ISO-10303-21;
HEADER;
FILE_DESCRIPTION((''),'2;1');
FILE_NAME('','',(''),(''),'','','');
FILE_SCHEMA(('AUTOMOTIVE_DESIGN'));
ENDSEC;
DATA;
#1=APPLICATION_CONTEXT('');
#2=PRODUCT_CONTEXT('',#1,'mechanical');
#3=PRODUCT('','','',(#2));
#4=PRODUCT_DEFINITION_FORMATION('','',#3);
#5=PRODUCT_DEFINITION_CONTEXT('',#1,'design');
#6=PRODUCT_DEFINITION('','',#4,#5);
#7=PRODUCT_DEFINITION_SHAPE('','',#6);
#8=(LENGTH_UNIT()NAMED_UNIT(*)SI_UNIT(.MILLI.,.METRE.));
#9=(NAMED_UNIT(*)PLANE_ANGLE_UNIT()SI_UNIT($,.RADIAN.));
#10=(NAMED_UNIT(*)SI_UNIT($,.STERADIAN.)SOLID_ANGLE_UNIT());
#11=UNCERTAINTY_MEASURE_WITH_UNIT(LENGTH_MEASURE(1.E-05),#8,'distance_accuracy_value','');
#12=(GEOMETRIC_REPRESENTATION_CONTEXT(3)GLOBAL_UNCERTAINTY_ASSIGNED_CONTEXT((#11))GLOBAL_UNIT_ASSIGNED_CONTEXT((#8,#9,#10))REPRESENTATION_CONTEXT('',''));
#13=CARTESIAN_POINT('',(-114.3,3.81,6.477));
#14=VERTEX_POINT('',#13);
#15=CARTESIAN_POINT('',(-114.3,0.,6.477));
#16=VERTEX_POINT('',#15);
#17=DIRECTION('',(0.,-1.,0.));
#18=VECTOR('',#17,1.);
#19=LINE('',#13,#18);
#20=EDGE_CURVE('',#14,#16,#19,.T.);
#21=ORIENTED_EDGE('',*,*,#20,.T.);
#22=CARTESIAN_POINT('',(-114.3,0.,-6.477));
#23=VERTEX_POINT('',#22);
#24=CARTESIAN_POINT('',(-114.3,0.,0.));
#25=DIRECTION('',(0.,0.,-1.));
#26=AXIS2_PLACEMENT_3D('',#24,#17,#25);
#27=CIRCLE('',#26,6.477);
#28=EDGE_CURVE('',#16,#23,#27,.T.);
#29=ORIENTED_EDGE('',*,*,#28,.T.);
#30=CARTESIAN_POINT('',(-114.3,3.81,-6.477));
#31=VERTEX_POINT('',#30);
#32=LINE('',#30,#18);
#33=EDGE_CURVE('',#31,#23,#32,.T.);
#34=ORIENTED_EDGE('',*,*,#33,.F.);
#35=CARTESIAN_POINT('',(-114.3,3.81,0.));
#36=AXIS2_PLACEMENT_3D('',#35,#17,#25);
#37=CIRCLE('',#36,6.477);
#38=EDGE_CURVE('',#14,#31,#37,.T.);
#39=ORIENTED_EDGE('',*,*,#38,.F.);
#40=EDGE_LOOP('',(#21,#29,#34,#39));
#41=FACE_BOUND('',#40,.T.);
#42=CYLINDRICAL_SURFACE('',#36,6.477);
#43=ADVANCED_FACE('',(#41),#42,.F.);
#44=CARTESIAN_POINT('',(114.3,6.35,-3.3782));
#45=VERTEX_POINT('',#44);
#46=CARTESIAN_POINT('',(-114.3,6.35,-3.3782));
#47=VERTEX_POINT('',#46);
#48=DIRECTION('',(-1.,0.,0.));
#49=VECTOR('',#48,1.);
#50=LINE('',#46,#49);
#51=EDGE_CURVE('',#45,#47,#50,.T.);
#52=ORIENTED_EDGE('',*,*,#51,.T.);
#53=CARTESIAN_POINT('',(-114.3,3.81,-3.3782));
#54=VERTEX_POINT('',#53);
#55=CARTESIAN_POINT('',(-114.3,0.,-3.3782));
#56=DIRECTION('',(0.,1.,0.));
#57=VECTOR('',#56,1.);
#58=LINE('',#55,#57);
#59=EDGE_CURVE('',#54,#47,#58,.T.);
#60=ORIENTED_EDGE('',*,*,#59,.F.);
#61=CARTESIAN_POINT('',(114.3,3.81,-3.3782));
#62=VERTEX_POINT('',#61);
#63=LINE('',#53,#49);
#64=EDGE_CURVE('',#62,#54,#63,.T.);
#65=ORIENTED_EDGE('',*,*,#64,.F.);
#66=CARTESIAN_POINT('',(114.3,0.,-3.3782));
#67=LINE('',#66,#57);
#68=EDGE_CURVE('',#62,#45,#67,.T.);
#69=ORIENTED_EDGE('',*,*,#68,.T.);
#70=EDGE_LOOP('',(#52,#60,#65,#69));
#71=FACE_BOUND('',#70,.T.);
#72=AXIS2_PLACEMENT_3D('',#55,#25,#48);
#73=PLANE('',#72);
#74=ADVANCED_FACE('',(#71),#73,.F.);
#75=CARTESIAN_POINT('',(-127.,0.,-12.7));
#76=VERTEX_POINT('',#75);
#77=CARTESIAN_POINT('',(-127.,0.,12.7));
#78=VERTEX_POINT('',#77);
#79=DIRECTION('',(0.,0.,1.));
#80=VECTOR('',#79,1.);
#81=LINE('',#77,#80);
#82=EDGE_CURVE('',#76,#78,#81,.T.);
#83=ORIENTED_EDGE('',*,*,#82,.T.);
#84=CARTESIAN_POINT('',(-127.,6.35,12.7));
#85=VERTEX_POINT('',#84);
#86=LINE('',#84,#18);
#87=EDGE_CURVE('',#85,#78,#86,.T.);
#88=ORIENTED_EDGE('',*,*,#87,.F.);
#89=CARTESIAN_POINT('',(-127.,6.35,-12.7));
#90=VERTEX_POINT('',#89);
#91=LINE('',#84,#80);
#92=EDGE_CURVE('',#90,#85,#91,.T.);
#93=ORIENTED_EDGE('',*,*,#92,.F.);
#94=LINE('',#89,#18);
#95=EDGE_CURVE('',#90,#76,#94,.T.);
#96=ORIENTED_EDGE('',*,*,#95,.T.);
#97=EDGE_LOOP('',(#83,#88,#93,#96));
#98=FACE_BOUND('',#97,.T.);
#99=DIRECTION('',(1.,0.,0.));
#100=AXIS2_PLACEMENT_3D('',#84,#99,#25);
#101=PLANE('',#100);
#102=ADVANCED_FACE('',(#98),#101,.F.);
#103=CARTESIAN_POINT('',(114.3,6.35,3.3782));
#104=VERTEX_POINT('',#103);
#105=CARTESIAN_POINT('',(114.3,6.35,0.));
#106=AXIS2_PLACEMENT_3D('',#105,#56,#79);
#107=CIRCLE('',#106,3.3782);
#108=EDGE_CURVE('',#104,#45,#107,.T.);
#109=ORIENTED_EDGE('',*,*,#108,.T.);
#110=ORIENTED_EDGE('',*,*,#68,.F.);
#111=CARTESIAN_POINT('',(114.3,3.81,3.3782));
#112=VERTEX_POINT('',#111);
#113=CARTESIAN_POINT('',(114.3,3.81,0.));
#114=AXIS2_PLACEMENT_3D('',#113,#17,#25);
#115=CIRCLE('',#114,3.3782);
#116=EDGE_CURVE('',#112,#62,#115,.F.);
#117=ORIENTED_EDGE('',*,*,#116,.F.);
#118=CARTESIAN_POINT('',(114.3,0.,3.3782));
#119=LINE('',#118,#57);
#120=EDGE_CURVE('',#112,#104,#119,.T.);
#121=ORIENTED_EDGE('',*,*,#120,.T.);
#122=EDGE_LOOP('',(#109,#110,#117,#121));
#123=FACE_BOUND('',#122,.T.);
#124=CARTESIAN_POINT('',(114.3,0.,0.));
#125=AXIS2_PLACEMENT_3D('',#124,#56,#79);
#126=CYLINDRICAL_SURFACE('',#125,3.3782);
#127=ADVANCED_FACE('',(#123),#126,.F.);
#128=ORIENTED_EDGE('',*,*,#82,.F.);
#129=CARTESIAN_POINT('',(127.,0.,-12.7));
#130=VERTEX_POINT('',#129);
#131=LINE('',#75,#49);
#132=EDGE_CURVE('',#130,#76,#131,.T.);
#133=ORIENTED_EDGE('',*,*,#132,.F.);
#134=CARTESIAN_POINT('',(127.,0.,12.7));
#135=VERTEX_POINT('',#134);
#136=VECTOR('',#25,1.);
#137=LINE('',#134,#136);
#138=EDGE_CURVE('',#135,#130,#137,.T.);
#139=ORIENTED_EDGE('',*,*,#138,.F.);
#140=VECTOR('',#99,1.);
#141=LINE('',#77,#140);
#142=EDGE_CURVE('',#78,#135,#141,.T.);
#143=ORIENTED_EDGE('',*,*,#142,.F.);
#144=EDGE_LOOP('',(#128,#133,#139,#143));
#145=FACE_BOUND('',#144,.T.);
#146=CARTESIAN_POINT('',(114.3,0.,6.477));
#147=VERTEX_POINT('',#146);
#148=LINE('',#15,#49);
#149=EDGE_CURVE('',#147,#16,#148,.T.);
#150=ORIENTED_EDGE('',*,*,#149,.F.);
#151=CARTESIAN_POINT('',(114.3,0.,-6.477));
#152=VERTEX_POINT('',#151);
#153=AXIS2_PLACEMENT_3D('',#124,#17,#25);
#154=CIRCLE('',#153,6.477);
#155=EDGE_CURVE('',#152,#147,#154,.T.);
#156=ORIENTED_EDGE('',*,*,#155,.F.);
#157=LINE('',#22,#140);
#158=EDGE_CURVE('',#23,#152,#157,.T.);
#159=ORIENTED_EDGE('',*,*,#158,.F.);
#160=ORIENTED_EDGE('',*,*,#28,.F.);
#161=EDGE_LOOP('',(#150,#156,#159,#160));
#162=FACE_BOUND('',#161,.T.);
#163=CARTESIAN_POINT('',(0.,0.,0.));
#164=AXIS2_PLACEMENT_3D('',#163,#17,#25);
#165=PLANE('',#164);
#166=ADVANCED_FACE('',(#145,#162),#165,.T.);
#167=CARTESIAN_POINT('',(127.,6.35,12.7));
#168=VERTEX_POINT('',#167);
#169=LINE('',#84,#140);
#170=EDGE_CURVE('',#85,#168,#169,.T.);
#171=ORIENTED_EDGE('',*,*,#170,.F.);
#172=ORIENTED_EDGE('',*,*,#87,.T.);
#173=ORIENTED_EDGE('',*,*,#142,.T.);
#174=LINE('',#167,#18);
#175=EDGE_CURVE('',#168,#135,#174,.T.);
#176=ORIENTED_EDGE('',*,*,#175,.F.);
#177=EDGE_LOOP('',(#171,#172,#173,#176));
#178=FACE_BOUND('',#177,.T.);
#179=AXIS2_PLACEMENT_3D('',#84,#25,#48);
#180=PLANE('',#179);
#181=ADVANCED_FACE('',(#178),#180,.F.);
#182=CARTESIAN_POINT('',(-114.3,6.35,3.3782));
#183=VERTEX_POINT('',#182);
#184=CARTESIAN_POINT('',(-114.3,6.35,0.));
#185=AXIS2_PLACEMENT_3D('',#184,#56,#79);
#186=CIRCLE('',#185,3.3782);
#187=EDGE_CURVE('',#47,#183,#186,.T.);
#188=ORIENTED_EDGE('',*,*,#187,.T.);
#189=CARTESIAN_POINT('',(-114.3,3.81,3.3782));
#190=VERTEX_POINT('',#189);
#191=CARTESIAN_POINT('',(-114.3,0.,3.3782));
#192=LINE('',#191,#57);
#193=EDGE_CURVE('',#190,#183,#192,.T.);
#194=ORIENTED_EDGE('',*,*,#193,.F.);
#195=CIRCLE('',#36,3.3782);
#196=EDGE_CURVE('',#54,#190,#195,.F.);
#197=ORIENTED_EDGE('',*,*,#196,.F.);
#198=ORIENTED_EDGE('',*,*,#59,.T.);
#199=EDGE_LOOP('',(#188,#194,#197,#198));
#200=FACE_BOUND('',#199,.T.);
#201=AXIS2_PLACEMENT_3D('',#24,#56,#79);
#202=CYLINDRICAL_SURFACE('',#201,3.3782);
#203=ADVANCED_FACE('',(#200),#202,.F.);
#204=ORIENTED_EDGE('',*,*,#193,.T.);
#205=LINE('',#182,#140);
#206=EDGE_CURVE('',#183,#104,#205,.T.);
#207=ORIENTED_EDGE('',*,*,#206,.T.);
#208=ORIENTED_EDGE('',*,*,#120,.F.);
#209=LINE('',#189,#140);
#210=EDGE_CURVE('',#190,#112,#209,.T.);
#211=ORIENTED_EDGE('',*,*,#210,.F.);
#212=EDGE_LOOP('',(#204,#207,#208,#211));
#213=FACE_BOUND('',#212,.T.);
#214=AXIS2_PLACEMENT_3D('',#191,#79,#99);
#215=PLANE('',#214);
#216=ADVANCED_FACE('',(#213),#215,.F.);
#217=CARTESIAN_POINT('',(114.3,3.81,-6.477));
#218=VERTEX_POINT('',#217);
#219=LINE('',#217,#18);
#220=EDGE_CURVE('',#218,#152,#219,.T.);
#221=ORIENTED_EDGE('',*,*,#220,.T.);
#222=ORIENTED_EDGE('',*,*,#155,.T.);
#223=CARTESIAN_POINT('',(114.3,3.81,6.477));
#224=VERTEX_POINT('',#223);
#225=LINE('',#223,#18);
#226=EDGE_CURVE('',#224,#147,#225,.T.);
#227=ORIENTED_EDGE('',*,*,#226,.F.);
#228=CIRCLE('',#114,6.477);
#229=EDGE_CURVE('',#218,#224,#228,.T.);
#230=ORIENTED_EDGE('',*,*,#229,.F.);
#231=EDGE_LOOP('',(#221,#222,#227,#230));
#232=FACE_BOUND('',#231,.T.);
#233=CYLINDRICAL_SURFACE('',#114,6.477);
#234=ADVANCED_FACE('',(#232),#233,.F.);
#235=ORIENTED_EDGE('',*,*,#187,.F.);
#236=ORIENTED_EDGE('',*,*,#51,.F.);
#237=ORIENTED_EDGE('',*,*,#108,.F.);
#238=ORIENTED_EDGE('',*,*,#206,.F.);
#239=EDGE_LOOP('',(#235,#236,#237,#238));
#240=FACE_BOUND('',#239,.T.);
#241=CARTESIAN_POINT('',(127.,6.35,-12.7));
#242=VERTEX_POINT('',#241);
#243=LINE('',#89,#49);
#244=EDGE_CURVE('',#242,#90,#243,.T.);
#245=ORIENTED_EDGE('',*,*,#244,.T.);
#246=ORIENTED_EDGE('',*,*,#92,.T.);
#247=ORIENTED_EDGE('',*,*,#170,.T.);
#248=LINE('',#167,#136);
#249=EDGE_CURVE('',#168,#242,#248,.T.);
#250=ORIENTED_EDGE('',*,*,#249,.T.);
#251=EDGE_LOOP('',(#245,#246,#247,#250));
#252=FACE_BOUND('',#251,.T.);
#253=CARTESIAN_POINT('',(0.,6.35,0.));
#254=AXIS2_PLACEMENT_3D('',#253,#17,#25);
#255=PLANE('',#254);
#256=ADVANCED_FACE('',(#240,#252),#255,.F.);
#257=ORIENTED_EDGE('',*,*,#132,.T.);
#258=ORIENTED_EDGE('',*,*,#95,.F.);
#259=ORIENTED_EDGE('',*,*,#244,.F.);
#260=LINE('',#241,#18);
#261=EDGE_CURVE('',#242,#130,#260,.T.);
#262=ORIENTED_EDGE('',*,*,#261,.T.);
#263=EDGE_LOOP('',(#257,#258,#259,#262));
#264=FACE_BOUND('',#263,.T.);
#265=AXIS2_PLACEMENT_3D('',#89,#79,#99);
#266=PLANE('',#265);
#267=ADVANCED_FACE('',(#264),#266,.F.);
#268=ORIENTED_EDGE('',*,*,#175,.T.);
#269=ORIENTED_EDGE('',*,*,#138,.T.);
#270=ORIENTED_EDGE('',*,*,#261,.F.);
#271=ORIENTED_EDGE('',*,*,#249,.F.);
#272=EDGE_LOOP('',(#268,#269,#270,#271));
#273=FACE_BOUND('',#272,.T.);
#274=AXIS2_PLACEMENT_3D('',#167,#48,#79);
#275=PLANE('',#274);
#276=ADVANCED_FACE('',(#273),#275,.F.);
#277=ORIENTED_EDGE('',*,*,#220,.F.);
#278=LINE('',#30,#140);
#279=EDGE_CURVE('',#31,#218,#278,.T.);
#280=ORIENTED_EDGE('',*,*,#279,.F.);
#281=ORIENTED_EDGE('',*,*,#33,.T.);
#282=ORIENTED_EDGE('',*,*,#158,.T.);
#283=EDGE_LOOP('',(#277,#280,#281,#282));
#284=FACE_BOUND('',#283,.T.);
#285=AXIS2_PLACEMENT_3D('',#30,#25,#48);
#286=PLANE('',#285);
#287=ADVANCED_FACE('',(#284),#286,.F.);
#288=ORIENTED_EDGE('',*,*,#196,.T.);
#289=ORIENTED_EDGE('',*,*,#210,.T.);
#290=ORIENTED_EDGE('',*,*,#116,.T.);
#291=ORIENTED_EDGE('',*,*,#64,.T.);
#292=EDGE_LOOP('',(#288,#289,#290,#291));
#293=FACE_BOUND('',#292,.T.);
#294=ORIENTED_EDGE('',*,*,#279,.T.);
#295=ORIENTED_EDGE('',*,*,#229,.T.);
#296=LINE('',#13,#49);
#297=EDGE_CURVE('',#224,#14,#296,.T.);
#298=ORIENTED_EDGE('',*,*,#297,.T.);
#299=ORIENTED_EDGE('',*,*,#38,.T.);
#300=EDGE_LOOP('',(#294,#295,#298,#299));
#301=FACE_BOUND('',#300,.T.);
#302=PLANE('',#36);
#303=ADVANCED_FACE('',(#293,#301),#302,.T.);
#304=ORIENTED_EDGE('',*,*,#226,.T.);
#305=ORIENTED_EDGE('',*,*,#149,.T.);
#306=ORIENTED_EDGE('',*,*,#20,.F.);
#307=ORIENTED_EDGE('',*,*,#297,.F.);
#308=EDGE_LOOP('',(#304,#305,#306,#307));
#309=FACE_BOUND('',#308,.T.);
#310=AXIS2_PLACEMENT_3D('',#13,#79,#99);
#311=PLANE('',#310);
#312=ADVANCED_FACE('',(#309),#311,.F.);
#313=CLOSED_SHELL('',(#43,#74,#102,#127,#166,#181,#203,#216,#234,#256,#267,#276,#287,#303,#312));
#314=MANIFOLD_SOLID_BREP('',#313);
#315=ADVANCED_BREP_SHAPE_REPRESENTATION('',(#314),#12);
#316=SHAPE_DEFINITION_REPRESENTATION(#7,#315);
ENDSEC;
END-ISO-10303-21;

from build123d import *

# Parameters (mm, degrees)
SKETCH1_W           = 254
SKETCH1_H           = 25.4
BOSS_EXTRUDE1_DEPTH = 6.35
CUT_EXTRUDE1_DEPTH  = 128.791284914
CUT_EXTRUDE2_DEPTH  = 3.81


with BuildPart() as part:
    # Sketch1 → Boss-Extrude1 (new body)
    with BuildSketch(Plane(origin=(0, 0, 0), x_dir=(1, 0, 0), z_dir=(0, 1, 0))):
        Rectangle(SKETCH1_W, SKETCH1_H)
    extrude(amount=BOSS_EXTRUDE1_DEPTH)

    # Sketch2 → Cut-Extrude1 (cut, through all)
    with BuildSketch(Plane(origin=(0, 6.35, 0), x_dir=(1, 0, 0), z_dir=(0, 1, 0))):
        with BuildLine():
            Line((-114.3, 3.3782), (114.3, 3.3782))
            ThreePointArc((114.3, 3.3782), (117.6782, 0), (114.3, -3.3782))
            Line((114.3, -3.3782), (-114.3, -3.3782))
            ThreePointArc((-114.3, -3.3782), (-117.6782, 0), (-114.3, 3.3782))
        make_face()
    extrude(amount=-CUT_EXTRUDE1_DEPTH, mode=Mode.SUBTRACT)

    # Sketch3 → Cut-Extrude2 (cut)
    with BuildSketch(Plane.XZ):
        with BuildLine():
            Line((-114.3, 6.477), (114.3, 6.477))
            ThreePointArc((114.3, 6.477), (120.777, 0), (114.3, -6.477))
            Line((114.3, -6.477), (-114.3, -6.477))
            ThreePointArc((-114.3, -6.477), (-120.777, 0), (-114.3, 6.477))
        make_face()
    extrude(amount=-CUT_EXTRUDE2_DEPTH, mode=Mode.SUBTRACT)


solid = part.part
